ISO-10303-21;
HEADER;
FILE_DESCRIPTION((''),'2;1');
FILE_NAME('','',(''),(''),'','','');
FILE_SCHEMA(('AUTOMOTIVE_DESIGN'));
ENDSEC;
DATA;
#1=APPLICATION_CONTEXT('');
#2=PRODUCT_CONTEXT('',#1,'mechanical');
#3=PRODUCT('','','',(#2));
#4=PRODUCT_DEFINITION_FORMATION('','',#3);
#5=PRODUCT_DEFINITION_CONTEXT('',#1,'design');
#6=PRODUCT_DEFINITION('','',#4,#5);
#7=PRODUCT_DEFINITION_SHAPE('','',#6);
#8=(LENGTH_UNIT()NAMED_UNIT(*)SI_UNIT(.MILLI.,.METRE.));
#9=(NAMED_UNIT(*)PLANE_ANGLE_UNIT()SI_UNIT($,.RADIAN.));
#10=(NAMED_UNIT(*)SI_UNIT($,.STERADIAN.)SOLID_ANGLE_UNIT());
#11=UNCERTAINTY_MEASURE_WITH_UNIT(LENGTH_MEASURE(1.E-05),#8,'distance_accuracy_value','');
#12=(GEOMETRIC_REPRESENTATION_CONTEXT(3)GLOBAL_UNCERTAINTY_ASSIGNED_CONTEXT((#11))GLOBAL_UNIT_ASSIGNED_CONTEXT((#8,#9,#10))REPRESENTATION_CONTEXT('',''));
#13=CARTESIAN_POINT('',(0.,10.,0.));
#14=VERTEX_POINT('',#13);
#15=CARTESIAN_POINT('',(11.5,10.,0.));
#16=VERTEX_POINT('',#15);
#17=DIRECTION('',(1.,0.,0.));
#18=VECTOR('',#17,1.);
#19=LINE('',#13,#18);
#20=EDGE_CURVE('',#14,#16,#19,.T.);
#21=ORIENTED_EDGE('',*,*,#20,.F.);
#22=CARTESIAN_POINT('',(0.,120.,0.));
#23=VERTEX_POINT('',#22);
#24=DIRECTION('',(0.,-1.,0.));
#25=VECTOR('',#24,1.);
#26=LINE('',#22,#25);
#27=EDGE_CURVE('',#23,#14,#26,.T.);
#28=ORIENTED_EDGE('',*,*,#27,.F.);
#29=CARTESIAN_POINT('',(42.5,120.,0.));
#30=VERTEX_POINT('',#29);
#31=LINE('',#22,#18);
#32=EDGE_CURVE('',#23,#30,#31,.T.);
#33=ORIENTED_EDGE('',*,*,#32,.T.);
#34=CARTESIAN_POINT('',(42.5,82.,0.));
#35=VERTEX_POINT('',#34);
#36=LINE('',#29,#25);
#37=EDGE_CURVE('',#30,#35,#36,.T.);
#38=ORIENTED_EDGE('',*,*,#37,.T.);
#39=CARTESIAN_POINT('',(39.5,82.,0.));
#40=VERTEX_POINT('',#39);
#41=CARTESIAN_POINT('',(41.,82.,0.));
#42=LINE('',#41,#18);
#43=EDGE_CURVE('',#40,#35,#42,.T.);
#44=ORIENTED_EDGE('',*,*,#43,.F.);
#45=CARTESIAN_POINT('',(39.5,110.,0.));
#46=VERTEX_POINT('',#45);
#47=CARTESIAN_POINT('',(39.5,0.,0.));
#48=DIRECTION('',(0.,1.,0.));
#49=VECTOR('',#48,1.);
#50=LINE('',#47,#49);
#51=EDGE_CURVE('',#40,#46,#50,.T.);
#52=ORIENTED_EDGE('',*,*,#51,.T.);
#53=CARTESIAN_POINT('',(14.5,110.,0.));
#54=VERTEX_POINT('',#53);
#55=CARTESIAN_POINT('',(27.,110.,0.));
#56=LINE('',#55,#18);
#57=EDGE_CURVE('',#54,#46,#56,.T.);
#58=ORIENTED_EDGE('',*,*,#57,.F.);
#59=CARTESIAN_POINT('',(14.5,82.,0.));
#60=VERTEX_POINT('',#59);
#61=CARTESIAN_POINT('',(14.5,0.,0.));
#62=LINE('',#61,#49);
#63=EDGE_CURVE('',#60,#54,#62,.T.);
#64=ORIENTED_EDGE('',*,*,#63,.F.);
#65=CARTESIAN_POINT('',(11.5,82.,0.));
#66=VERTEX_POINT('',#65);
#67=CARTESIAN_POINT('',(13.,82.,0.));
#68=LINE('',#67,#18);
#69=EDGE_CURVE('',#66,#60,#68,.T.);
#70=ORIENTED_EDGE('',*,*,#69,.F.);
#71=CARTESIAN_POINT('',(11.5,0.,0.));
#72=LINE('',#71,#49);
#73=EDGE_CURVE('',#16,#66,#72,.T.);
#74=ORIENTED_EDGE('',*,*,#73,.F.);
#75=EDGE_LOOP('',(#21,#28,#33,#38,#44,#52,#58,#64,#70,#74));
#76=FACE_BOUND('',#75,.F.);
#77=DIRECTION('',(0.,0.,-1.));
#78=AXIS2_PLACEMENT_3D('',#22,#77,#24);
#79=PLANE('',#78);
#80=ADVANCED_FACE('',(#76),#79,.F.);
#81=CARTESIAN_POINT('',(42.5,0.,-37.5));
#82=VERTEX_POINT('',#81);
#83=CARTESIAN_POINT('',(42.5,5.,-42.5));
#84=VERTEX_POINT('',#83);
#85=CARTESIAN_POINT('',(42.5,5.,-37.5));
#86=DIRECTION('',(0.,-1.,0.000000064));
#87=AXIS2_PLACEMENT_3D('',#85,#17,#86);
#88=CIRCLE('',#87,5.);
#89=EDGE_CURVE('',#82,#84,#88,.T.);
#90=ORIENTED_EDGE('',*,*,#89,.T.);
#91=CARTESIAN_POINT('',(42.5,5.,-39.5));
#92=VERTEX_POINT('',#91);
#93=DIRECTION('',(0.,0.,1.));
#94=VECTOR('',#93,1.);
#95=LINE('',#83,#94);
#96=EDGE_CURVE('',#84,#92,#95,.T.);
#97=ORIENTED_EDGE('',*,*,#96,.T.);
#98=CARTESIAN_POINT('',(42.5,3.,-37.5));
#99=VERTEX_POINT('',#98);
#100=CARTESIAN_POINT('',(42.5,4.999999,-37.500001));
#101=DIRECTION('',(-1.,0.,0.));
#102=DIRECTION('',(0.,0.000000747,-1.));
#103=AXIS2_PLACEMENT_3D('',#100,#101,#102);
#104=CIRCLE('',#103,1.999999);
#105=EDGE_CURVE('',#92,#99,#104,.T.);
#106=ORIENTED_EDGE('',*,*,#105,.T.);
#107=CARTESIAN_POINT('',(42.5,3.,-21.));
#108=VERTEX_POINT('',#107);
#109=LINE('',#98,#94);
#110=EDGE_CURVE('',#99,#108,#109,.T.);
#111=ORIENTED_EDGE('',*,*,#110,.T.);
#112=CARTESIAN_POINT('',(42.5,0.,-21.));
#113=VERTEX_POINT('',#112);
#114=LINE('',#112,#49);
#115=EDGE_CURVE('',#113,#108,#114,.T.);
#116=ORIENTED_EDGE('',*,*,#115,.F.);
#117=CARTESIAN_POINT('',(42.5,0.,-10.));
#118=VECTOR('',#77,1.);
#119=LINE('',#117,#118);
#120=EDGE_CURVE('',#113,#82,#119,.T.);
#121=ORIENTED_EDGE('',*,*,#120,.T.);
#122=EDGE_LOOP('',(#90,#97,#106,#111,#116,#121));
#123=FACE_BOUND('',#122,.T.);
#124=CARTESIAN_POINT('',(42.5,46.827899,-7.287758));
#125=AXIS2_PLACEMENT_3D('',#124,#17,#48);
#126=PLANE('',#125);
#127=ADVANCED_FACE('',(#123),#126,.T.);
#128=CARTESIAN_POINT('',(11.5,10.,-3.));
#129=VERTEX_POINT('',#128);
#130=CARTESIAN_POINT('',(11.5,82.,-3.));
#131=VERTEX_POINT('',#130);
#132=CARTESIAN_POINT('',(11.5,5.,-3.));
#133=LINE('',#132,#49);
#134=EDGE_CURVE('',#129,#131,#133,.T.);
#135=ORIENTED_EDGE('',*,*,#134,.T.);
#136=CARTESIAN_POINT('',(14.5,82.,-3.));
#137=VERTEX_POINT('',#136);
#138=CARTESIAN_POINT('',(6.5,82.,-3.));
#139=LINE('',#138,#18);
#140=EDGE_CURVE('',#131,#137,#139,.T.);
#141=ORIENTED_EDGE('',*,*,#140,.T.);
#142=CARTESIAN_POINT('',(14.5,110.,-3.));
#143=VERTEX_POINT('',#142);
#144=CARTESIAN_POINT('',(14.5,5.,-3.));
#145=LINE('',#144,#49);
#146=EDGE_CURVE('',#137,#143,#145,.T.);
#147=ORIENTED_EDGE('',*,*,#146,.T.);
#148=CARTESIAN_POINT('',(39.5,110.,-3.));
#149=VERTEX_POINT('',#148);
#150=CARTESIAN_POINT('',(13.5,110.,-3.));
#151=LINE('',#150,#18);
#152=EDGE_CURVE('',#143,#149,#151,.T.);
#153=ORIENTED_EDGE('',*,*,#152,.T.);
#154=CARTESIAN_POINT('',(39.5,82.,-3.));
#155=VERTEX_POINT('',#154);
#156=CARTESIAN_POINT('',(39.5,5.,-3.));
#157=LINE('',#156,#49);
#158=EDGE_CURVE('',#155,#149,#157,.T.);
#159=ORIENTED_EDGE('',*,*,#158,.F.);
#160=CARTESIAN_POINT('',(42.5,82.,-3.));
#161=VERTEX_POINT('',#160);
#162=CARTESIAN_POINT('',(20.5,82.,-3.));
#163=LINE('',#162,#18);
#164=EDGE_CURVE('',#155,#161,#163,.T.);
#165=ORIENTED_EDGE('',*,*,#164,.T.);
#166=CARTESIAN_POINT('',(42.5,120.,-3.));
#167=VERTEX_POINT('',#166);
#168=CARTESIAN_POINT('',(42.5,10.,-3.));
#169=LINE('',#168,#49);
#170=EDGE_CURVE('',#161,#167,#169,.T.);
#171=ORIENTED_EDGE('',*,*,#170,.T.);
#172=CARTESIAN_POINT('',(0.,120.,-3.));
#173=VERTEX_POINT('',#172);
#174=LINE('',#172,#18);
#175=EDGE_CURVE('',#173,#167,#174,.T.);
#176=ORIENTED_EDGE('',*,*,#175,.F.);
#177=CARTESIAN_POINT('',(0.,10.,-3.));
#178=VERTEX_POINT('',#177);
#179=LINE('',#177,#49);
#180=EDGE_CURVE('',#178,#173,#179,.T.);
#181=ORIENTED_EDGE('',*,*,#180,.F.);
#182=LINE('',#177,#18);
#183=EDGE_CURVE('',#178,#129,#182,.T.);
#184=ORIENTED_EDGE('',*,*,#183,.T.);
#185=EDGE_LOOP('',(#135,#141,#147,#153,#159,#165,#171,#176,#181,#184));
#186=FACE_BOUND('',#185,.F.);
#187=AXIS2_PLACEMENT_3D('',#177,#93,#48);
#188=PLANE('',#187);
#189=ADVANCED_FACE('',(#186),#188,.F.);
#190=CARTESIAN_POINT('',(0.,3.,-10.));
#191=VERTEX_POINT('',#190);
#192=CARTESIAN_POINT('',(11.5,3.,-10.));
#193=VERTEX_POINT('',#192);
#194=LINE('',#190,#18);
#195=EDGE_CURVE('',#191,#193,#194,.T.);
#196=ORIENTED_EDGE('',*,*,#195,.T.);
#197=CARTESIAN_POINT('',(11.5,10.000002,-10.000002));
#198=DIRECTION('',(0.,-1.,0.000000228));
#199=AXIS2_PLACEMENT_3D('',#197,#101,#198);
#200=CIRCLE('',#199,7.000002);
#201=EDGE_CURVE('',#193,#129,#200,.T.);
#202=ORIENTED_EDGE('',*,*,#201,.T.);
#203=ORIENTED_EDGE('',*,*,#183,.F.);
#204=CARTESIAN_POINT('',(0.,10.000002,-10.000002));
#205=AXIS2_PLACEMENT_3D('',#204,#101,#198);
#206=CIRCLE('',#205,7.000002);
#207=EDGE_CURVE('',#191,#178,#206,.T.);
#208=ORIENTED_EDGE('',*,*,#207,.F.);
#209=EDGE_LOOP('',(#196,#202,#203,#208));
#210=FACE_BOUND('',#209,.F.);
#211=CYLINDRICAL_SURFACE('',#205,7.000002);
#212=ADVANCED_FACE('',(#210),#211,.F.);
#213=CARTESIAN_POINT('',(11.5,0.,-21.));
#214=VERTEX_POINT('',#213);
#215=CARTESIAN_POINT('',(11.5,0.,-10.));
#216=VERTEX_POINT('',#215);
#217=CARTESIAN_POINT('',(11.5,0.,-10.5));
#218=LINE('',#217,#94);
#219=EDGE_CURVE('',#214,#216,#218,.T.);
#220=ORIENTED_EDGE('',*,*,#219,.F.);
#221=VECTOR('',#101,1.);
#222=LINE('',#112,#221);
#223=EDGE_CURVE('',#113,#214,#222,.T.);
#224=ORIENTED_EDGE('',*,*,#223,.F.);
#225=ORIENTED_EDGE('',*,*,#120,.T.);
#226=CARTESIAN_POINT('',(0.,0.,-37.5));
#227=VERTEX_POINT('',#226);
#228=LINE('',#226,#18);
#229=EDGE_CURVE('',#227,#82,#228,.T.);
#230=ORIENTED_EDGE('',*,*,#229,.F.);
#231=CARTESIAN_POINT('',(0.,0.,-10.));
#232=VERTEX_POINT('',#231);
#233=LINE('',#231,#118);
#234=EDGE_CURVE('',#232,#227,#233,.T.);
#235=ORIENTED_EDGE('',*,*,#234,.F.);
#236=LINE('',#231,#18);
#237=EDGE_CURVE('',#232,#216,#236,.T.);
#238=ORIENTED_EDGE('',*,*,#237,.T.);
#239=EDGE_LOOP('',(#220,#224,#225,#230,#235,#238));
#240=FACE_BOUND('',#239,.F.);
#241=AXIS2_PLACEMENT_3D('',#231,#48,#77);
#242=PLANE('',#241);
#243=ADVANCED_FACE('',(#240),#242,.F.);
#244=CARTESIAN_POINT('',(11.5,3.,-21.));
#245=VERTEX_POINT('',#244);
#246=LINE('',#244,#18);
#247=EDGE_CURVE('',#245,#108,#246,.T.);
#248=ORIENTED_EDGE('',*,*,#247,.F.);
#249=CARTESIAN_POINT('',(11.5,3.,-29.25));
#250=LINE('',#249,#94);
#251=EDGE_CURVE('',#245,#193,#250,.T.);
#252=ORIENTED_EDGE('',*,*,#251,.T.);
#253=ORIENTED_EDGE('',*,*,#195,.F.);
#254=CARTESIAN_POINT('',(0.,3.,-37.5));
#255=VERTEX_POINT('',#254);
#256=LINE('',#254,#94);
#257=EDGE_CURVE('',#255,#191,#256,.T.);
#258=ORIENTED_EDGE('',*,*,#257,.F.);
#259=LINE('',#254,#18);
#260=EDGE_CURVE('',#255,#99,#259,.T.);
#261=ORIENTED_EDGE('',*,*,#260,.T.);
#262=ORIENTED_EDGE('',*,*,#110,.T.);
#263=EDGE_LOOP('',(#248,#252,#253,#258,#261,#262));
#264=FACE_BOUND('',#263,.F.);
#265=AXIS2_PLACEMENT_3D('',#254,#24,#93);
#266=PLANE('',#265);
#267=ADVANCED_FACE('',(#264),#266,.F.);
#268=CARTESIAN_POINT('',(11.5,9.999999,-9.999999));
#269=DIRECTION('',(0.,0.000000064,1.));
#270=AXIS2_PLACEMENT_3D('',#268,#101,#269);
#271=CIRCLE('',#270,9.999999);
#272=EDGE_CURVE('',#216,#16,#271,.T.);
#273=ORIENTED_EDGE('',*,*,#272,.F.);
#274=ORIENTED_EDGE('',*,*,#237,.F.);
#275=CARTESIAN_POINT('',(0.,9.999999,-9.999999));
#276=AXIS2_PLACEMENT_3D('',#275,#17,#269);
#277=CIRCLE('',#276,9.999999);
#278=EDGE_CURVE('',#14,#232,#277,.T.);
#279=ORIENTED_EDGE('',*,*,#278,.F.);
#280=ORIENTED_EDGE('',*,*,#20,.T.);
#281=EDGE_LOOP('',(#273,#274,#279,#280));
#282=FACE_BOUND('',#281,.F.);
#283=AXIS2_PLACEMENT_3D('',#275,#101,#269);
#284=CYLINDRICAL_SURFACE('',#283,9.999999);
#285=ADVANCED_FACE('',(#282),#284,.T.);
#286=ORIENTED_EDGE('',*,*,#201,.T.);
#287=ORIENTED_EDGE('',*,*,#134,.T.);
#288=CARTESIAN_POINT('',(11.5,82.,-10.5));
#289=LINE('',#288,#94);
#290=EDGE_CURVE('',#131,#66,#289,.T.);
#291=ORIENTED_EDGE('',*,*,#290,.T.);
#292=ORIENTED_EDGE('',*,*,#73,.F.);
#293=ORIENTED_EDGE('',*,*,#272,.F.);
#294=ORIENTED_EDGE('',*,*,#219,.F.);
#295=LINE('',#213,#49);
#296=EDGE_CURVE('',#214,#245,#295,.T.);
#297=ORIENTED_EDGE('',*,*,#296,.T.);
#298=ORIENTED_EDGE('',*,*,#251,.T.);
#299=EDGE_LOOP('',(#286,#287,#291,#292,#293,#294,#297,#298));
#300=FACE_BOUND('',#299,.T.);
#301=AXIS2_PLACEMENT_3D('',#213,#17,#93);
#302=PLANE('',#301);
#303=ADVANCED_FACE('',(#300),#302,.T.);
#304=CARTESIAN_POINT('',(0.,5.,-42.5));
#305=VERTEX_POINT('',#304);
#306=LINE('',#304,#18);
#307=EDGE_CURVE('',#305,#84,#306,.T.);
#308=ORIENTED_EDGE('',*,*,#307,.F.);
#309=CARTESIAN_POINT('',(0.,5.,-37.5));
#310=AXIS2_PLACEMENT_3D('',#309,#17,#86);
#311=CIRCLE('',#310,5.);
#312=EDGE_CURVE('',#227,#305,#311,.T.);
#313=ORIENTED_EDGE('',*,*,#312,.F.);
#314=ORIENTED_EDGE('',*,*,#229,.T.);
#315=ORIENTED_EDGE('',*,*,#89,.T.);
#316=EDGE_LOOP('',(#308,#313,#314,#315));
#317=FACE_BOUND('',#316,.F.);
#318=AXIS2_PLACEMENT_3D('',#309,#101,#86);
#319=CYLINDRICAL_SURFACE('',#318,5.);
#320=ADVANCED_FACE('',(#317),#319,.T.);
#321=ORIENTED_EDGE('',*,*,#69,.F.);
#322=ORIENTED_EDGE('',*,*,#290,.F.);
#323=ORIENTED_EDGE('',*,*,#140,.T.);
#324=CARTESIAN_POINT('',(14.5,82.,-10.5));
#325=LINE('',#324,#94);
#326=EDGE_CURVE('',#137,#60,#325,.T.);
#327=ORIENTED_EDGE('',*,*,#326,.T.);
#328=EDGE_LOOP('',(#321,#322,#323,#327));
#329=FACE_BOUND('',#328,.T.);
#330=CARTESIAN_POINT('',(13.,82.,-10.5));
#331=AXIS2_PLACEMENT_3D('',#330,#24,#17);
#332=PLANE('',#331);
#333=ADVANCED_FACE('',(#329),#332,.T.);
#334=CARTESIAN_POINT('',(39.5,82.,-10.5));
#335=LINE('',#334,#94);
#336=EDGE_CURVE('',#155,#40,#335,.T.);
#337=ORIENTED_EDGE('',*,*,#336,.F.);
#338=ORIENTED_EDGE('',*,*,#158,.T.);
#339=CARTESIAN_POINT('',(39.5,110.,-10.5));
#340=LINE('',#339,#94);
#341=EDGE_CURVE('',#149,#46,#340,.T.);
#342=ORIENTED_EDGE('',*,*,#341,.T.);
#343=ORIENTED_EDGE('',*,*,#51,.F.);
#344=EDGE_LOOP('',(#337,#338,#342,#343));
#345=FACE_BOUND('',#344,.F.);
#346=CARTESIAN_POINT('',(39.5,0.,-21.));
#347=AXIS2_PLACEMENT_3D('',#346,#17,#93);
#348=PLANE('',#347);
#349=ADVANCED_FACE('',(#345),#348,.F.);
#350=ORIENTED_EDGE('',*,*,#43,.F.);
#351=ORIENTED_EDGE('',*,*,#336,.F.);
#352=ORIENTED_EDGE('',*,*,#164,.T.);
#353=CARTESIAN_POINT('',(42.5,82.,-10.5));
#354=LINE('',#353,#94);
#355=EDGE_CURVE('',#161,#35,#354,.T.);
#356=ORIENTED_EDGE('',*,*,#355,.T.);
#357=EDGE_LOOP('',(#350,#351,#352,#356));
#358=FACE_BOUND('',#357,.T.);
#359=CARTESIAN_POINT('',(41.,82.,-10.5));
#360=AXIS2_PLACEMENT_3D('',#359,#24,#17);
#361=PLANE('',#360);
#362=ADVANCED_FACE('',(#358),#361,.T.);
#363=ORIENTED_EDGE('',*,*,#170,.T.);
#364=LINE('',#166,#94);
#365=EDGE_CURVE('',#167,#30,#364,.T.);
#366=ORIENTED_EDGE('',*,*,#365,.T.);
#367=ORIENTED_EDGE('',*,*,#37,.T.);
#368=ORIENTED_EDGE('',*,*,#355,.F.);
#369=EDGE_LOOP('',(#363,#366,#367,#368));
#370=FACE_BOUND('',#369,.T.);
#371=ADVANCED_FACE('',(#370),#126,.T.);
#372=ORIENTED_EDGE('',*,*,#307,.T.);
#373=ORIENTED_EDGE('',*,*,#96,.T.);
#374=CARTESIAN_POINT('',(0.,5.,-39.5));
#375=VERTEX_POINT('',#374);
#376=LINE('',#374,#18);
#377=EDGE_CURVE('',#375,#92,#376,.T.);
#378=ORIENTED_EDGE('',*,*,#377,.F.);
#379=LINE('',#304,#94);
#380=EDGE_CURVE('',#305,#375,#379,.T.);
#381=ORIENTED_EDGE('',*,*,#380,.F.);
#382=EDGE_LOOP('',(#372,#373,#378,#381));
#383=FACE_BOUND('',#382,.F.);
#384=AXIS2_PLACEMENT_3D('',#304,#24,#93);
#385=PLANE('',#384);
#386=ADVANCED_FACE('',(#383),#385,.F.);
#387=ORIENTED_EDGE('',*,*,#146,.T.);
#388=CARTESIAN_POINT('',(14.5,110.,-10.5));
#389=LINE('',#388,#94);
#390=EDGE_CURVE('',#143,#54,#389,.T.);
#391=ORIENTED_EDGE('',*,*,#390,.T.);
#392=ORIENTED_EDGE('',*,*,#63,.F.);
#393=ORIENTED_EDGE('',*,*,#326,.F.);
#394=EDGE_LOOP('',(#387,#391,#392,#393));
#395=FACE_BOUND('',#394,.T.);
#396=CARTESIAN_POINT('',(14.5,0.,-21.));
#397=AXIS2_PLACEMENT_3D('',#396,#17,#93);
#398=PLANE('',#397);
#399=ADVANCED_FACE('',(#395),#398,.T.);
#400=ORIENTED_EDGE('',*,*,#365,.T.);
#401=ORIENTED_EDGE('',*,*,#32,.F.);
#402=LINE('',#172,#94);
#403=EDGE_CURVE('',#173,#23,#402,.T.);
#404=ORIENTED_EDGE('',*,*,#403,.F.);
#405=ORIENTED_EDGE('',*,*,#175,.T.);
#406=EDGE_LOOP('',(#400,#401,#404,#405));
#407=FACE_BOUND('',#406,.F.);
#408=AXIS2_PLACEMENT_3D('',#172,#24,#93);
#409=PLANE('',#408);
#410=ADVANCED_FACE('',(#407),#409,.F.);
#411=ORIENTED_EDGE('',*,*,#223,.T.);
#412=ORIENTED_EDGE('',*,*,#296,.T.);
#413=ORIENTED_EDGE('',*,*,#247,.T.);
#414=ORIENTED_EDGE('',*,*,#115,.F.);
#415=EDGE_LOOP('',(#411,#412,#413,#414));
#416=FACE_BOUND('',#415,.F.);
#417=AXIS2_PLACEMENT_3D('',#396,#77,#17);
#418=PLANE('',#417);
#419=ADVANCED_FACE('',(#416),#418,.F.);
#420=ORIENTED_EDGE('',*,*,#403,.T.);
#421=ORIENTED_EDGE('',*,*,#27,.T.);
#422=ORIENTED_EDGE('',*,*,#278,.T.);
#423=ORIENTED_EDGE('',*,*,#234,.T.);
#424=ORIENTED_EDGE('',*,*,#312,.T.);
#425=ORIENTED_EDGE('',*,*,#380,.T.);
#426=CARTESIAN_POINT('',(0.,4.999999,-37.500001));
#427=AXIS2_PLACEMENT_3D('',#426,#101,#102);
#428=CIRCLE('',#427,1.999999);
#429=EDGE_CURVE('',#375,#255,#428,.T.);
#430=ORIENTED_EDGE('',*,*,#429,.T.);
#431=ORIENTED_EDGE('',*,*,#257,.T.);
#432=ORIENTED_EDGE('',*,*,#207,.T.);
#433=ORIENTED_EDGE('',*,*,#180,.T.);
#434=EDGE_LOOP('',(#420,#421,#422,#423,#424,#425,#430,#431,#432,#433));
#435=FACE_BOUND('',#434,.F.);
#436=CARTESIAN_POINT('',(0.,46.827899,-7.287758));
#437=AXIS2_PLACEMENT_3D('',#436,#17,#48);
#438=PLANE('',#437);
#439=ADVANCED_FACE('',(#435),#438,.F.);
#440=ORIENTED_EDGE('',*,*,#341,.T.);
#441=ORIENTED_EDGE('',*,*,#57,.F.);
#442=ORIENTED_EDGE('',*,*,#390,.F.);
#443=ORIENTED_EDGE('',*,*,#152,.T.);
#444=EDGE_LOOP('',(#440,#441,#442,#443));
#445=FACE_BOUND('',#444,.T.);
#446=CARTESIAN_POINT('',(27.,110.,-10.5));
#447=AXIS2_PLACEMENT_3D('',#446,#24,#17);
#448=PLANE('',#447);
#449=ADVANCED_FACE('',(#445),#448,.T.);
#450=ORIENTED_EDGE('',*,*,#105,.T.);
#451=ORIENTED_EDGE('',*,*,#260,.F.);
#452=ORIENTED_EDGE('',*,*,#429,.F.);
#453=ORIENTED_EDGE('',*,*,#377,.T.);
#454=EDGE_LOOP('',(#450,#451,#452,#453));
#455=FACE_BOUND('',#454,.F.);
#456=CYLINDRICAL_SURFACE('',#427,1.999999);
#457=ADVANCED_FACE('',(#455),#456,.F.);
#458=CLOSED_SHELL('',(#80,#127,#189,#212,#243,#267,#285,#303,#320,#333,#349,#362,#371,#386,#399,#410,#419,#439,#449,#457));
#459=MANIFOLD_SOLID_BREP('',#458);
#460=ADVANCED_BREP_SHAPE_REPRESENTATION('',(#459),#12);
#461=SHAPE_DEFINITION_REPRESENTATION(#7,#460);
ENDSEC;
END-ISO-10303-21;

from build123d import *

# Parameters (mm, degrees)
F1_DEPTH = 42.5
F2_W     = 25
F2_H     = 21
F3_DEPTH = 110
F4_W     = 3
F4_H     = 21
F5_DEPTH = 82
F6_W     = 3
F6_H     = 21
F7_DEPTH = 82


with BuildPart() as f1:
    # F0 (on Right) → F1 (new body)
    with BuildSketch(Plane.YZ):
        with BuildLine():
            Line((120, -3), (120, 0))
            Line((120, 0), (10, 0))
            ThreePointArc((10, 0), (2.928932, -2.928932), (0, -10))
            Line((0, -10), (0, -37.5))
            ThreePointArc((0, -37.5), (1.464466, -41.035534), (5, -42.5))
            Line((5, -42.5), (5, -39.5))
            ThreePointArc((5, -39.5), (3.585786, -38.914214), (3, -37.5))
            Line((3, -37.5), (3, -10))
            ThreePointArc((3, -10), (5.050253, -5.050253), (10, -3))
            Line((10, -3), (120, -3))
        make_face()
    extrude(amount=F1_DEPTH)

    # F2 (on face) → F3 (cut)
    with BuildSketch(Plane.XZ):
        with Locations((27, -10.5)):
            Rectangle(F2_W, F2_H)
    extrude(amount=-F3_DEPTH, mode=Mode.SUBTRACT)

    # F4 (on face) → F5 (cut)
    with BuildSketch(Plane.XZ):
        with Locations((13, -10.5)):
            Rectangle(F4_W, F4_H)
    extrude(amount=-F5_DEPTH, mode=Mode.SUBTRACT)

    # F6 (on face) → F7 (cut)
    with BuildSketch(Plane.XZ):
        with Locations((41, -10.5)):
            Rectangle(F6_W, F6_H)
    extrude(amount=-F7_DEPTH, mode=Mode.SUBTRACT)


solid = f1.part
